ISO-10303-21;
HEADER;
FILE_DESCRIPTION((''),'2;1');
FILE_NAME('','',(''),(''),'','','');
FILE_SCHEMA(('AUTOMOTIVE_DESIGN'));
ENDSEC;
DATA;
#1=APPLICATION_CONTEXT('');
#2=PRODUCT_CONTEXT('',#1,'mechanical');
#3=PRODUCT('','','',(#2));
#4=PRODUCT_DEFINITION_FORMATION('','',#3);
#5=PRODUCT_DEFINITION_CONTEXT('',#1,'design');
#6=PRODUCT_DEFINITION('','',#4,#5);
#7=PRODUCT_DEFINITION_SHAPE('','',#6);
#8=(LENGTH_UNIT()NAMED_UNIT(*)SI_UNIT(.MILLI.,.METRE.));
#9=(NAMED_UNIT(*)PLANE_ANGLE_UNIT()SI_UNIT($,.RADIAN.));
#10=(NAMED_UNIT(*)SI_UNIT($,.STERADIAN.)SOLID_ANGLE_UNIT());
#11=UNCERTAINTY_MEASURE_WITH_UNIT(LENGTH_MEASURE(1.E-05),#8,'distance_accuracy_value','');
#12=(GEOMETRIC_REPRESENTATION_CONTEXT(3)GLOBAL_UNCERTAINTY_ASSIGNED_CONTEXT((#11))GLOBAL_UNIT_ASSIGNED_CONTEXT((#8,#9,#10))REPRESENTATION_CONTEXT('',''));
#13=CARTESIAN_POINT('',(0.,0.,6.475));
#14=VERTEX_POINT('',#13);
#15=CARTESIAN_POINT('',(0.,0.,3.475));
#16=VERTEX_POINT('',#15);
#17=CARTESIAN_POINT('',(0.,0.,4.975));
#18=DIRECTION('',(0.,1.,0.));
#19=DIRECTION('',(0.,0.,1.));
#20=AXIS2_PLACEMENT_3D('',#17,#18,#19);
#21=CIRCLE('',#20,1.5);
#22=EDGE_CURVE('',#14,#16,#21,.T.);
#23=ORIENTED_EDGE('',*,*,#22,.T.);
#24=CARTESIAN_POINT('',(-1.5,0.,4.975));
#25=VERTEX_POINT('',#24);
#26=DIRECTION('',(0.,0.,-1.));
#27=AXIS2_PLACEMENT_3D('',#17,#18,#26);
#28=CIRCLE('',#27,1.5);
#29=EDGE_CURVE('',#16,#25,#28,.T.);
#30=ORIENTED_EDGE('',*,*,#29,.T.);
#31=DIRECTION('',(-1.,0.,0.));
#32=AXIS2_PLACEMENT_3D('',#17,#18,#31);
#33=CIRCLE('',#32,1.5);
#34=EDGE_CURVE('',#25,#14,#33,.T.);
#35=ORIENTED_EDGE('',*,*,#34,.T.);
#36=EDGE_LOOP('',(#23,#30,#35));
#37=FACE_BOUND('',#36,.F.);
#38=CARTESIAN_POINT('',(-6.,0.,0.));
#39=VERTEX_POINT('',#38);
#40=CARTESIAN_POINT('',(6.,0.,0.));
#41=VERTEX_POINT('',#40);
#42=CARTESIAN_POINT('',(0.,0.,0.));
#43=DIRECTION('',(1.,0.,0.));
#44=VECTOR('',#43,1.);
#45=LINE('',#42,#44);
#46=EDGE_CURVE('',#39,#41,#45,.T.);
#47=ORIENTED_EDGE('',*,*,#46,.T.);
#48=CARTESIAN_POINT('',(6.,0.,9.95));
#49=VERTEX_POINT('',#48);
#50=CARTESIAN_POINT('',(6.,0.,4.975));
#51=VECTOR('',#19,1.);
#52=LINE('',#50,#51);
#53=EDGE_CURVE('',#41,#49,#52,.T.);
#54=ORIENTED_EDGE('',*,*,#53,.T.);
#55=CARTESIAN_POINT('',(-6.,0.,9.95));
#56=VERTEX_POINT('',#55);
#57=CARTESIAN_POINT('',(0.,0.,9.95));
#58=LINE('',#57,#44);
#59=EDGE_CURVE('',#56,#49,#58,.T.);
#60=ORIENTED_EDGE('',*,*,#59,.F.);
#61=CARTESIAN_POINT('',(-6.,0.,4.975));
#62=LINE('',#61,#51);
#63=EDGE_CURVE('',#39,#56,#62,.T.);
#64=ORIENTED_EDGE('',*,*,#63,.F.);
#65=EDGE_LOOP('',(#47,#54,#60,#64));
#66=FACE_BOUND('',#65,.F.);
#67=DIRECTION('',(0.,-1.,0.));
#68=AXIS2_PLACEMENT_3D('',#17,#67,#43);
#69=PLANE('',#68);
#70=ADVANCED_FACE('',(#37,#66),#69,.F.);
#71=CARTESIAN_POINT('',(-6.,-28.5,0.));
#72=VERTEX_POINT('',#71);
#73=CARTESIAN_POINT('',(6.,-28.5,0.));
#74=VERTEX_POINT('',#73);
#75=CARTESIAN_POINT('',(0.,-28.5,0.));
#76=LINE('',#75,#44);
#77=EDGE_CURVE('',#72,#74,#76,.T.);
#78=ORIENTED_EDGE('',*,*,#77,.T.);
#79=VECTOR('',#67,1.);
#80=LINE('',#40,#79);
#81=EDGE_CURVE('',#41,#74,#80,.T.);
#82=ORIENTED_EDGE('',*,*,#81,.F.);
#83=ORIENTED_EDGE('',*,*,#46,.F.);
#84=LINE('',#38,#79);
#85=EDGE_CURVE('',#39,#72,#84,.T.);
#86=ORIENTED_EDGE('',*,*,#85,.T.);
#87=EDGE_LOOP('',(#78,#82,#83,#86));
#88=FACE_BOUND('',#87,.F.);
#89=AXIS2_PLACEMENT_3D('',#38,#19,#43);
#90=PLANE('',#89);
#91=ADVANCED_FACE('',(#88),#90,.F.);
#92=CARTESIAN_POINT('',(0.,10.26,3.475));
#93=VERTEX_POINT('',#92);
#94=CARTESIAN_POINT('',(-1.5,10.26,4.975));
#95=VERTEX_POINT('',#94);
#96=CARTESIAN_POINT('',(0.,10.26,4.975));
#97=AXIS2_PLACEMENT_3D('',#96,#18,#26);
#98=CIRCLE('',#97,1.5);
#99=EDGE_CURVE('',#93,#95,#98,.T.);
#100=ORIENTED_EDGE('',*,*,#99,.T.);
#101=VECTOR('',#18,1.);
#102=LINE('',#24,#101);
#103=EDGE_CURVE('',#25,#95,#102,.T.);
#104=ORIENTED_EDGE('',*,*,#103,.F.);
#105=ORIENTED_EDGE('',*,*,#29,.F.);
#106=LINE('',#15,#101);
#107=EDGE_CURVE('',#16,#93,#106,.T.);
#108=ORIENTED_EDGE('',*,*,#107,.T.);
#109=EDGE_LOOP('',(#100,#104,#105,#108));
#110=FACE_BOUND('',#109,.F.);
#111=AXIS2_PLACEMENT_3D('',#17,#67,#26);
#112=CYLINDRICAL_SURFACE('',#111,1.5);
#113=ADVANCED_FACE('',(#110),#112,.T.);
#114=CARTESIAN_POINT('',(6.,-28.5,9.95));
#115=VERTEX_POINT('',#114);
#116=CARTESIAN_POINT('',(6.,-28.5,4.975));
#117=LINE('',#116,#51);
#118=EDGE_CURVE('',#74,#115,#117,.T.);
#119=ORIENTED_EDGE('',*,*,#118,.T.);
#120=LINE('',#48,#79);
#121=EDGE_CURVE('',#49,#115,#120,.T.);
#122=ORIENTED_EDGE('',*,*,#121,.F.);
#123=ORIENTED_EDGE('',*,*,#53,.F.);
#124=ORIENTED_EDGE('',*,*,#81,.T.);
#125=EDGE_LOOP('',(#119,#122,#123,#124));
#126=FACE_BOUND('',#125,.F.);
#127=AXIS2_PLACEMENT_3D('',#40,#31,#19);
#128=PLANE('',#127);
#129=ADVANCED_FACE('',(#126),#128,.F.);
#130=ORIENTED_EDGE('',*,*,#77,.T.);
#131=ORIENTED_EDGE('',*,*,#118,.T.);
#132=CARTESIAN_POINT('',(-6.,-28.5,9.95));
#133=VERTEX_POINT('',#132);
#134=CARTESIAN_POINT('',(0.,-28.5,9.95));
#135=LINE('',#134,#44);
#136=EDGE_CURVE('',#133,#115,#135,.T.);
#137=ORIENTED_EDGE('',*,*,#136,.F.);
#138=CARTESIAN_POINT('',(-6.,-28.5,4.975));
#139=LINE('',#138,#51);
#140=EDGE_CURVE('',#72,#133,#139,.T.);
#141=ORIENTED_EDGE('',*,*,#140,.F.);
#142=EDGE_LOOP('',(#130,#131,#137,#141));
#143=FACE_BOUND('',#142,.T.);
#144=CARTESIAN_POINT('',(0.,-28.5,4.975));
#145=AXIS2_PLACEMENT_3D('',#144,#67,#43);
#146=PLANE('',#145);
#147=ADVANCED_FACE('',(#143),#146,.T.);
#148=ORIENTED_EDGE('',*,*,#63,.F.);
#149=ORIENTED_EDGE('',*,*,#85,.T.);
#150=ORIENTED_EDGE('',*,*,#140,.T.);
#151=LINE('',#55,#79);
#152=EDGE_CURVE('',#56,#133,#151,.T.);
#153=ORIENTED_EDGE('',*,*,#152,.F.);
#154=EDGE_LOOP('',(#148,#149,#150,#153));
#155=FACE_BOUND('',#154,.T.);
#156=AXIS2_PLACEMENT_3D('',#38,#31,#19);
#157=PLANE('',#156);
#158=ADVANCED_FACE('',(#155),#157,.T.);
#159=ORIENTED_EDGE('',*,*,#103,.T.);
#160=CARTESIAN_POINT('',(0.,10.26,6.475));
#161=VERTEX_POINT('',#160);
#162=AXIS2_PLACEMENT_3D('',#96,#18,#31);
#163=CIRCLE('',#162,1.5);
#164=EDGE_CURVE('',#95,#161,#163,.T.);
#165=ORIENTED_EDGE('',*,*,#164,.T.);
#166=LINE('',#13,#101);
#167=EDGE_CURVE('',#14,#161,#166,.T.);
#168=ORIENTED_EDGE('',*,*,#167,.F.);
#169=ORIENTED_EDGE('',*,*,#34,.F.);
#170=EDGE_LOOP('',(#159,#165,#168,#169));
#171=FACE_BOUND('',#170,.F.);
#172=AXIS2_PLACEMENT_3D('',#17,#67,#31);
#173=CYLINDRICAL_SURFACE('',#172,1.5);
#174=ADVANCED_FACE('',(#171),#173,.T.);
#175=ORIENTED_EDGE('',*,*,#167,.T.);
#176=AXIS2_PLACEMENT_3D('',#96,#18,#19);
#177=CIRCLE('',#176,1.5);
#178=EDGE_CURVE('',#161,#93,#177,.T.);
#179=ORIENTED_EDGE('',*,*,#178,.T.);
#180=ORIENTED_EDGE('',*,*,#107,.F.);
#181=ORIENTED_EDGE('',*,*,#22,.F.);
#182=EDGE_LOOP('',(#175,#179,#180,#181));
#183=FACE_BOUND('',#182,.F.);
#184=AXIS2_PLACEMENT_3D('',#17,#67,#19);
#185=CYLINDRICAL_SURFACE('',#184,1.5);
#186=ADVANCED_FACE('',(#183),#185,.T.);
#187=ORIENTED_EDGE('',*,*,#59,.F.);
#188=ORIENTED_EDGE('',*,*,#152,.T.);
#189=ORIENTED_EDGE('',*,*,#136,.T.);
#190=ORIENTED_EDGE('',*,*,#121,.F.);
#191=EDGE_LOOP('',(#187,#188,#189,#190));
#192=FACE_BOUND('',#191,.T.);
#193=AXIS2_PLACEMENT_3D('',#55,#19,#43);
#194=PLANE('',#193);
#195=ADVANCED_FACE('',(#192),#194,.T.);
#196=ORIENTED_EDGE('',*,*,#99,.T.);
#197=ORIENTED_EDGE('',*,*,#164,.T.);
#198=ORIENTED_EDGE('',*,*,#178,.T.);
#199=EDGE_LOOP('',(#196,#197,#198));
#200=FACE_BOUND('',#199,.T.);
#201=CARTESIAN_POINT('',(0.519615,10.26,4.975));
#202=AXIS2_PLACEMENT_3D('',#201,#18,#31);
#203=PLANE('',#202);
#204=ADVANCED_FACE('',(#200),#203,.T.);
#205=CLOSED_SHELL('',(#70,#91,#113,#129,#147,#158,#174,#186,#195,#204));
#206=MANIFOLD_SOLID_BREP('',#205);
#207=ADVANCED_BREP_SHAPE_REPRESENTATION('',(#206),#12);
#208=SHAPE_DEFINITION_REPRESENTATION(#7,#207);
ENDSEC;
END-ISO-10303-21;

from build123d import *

# Parameters (mm, degrees)
F0_W     = 12
F0_H     = 9.95
F1_DEPTH = 28.5
F3_DEPTH = 10.26


with BuildPart() as f1:
    # F0 (on Front) → F1 (new body)
    with BuildSketch(Plane.XZ):
        with Locations((0, 4.975)):
            Rectangle(F0_W, F0_H)
    extrude(amount=F1_DEPTH)

    # F2 (on face) → F3 (join)
    with BuildSketch(Plane(origin=(0, 0, 0), x_dir=(-1, 0, 0), z_dir=(0, 1, 0))):
        with BuildLine():
            ThreePointArc((0, 6.475), (-1.5, 4.975), (0, 3.475))
            Line((0, 3.475), (0, 6.475))
        make_face()
        with BuildLine():
            Line((0, 6.475), (0, 3.475))
            ThreePointArc((0, 3.475), (1.0606601718, 3.9143398282), (1.5, 4.975))
            ThreePointArc((1.5, 4.975), (1.0606601718, 6.0356601718), (0, 6.475))
        make_face()
    extrude(amount=F3_DEPTH)


solid = f1.part
